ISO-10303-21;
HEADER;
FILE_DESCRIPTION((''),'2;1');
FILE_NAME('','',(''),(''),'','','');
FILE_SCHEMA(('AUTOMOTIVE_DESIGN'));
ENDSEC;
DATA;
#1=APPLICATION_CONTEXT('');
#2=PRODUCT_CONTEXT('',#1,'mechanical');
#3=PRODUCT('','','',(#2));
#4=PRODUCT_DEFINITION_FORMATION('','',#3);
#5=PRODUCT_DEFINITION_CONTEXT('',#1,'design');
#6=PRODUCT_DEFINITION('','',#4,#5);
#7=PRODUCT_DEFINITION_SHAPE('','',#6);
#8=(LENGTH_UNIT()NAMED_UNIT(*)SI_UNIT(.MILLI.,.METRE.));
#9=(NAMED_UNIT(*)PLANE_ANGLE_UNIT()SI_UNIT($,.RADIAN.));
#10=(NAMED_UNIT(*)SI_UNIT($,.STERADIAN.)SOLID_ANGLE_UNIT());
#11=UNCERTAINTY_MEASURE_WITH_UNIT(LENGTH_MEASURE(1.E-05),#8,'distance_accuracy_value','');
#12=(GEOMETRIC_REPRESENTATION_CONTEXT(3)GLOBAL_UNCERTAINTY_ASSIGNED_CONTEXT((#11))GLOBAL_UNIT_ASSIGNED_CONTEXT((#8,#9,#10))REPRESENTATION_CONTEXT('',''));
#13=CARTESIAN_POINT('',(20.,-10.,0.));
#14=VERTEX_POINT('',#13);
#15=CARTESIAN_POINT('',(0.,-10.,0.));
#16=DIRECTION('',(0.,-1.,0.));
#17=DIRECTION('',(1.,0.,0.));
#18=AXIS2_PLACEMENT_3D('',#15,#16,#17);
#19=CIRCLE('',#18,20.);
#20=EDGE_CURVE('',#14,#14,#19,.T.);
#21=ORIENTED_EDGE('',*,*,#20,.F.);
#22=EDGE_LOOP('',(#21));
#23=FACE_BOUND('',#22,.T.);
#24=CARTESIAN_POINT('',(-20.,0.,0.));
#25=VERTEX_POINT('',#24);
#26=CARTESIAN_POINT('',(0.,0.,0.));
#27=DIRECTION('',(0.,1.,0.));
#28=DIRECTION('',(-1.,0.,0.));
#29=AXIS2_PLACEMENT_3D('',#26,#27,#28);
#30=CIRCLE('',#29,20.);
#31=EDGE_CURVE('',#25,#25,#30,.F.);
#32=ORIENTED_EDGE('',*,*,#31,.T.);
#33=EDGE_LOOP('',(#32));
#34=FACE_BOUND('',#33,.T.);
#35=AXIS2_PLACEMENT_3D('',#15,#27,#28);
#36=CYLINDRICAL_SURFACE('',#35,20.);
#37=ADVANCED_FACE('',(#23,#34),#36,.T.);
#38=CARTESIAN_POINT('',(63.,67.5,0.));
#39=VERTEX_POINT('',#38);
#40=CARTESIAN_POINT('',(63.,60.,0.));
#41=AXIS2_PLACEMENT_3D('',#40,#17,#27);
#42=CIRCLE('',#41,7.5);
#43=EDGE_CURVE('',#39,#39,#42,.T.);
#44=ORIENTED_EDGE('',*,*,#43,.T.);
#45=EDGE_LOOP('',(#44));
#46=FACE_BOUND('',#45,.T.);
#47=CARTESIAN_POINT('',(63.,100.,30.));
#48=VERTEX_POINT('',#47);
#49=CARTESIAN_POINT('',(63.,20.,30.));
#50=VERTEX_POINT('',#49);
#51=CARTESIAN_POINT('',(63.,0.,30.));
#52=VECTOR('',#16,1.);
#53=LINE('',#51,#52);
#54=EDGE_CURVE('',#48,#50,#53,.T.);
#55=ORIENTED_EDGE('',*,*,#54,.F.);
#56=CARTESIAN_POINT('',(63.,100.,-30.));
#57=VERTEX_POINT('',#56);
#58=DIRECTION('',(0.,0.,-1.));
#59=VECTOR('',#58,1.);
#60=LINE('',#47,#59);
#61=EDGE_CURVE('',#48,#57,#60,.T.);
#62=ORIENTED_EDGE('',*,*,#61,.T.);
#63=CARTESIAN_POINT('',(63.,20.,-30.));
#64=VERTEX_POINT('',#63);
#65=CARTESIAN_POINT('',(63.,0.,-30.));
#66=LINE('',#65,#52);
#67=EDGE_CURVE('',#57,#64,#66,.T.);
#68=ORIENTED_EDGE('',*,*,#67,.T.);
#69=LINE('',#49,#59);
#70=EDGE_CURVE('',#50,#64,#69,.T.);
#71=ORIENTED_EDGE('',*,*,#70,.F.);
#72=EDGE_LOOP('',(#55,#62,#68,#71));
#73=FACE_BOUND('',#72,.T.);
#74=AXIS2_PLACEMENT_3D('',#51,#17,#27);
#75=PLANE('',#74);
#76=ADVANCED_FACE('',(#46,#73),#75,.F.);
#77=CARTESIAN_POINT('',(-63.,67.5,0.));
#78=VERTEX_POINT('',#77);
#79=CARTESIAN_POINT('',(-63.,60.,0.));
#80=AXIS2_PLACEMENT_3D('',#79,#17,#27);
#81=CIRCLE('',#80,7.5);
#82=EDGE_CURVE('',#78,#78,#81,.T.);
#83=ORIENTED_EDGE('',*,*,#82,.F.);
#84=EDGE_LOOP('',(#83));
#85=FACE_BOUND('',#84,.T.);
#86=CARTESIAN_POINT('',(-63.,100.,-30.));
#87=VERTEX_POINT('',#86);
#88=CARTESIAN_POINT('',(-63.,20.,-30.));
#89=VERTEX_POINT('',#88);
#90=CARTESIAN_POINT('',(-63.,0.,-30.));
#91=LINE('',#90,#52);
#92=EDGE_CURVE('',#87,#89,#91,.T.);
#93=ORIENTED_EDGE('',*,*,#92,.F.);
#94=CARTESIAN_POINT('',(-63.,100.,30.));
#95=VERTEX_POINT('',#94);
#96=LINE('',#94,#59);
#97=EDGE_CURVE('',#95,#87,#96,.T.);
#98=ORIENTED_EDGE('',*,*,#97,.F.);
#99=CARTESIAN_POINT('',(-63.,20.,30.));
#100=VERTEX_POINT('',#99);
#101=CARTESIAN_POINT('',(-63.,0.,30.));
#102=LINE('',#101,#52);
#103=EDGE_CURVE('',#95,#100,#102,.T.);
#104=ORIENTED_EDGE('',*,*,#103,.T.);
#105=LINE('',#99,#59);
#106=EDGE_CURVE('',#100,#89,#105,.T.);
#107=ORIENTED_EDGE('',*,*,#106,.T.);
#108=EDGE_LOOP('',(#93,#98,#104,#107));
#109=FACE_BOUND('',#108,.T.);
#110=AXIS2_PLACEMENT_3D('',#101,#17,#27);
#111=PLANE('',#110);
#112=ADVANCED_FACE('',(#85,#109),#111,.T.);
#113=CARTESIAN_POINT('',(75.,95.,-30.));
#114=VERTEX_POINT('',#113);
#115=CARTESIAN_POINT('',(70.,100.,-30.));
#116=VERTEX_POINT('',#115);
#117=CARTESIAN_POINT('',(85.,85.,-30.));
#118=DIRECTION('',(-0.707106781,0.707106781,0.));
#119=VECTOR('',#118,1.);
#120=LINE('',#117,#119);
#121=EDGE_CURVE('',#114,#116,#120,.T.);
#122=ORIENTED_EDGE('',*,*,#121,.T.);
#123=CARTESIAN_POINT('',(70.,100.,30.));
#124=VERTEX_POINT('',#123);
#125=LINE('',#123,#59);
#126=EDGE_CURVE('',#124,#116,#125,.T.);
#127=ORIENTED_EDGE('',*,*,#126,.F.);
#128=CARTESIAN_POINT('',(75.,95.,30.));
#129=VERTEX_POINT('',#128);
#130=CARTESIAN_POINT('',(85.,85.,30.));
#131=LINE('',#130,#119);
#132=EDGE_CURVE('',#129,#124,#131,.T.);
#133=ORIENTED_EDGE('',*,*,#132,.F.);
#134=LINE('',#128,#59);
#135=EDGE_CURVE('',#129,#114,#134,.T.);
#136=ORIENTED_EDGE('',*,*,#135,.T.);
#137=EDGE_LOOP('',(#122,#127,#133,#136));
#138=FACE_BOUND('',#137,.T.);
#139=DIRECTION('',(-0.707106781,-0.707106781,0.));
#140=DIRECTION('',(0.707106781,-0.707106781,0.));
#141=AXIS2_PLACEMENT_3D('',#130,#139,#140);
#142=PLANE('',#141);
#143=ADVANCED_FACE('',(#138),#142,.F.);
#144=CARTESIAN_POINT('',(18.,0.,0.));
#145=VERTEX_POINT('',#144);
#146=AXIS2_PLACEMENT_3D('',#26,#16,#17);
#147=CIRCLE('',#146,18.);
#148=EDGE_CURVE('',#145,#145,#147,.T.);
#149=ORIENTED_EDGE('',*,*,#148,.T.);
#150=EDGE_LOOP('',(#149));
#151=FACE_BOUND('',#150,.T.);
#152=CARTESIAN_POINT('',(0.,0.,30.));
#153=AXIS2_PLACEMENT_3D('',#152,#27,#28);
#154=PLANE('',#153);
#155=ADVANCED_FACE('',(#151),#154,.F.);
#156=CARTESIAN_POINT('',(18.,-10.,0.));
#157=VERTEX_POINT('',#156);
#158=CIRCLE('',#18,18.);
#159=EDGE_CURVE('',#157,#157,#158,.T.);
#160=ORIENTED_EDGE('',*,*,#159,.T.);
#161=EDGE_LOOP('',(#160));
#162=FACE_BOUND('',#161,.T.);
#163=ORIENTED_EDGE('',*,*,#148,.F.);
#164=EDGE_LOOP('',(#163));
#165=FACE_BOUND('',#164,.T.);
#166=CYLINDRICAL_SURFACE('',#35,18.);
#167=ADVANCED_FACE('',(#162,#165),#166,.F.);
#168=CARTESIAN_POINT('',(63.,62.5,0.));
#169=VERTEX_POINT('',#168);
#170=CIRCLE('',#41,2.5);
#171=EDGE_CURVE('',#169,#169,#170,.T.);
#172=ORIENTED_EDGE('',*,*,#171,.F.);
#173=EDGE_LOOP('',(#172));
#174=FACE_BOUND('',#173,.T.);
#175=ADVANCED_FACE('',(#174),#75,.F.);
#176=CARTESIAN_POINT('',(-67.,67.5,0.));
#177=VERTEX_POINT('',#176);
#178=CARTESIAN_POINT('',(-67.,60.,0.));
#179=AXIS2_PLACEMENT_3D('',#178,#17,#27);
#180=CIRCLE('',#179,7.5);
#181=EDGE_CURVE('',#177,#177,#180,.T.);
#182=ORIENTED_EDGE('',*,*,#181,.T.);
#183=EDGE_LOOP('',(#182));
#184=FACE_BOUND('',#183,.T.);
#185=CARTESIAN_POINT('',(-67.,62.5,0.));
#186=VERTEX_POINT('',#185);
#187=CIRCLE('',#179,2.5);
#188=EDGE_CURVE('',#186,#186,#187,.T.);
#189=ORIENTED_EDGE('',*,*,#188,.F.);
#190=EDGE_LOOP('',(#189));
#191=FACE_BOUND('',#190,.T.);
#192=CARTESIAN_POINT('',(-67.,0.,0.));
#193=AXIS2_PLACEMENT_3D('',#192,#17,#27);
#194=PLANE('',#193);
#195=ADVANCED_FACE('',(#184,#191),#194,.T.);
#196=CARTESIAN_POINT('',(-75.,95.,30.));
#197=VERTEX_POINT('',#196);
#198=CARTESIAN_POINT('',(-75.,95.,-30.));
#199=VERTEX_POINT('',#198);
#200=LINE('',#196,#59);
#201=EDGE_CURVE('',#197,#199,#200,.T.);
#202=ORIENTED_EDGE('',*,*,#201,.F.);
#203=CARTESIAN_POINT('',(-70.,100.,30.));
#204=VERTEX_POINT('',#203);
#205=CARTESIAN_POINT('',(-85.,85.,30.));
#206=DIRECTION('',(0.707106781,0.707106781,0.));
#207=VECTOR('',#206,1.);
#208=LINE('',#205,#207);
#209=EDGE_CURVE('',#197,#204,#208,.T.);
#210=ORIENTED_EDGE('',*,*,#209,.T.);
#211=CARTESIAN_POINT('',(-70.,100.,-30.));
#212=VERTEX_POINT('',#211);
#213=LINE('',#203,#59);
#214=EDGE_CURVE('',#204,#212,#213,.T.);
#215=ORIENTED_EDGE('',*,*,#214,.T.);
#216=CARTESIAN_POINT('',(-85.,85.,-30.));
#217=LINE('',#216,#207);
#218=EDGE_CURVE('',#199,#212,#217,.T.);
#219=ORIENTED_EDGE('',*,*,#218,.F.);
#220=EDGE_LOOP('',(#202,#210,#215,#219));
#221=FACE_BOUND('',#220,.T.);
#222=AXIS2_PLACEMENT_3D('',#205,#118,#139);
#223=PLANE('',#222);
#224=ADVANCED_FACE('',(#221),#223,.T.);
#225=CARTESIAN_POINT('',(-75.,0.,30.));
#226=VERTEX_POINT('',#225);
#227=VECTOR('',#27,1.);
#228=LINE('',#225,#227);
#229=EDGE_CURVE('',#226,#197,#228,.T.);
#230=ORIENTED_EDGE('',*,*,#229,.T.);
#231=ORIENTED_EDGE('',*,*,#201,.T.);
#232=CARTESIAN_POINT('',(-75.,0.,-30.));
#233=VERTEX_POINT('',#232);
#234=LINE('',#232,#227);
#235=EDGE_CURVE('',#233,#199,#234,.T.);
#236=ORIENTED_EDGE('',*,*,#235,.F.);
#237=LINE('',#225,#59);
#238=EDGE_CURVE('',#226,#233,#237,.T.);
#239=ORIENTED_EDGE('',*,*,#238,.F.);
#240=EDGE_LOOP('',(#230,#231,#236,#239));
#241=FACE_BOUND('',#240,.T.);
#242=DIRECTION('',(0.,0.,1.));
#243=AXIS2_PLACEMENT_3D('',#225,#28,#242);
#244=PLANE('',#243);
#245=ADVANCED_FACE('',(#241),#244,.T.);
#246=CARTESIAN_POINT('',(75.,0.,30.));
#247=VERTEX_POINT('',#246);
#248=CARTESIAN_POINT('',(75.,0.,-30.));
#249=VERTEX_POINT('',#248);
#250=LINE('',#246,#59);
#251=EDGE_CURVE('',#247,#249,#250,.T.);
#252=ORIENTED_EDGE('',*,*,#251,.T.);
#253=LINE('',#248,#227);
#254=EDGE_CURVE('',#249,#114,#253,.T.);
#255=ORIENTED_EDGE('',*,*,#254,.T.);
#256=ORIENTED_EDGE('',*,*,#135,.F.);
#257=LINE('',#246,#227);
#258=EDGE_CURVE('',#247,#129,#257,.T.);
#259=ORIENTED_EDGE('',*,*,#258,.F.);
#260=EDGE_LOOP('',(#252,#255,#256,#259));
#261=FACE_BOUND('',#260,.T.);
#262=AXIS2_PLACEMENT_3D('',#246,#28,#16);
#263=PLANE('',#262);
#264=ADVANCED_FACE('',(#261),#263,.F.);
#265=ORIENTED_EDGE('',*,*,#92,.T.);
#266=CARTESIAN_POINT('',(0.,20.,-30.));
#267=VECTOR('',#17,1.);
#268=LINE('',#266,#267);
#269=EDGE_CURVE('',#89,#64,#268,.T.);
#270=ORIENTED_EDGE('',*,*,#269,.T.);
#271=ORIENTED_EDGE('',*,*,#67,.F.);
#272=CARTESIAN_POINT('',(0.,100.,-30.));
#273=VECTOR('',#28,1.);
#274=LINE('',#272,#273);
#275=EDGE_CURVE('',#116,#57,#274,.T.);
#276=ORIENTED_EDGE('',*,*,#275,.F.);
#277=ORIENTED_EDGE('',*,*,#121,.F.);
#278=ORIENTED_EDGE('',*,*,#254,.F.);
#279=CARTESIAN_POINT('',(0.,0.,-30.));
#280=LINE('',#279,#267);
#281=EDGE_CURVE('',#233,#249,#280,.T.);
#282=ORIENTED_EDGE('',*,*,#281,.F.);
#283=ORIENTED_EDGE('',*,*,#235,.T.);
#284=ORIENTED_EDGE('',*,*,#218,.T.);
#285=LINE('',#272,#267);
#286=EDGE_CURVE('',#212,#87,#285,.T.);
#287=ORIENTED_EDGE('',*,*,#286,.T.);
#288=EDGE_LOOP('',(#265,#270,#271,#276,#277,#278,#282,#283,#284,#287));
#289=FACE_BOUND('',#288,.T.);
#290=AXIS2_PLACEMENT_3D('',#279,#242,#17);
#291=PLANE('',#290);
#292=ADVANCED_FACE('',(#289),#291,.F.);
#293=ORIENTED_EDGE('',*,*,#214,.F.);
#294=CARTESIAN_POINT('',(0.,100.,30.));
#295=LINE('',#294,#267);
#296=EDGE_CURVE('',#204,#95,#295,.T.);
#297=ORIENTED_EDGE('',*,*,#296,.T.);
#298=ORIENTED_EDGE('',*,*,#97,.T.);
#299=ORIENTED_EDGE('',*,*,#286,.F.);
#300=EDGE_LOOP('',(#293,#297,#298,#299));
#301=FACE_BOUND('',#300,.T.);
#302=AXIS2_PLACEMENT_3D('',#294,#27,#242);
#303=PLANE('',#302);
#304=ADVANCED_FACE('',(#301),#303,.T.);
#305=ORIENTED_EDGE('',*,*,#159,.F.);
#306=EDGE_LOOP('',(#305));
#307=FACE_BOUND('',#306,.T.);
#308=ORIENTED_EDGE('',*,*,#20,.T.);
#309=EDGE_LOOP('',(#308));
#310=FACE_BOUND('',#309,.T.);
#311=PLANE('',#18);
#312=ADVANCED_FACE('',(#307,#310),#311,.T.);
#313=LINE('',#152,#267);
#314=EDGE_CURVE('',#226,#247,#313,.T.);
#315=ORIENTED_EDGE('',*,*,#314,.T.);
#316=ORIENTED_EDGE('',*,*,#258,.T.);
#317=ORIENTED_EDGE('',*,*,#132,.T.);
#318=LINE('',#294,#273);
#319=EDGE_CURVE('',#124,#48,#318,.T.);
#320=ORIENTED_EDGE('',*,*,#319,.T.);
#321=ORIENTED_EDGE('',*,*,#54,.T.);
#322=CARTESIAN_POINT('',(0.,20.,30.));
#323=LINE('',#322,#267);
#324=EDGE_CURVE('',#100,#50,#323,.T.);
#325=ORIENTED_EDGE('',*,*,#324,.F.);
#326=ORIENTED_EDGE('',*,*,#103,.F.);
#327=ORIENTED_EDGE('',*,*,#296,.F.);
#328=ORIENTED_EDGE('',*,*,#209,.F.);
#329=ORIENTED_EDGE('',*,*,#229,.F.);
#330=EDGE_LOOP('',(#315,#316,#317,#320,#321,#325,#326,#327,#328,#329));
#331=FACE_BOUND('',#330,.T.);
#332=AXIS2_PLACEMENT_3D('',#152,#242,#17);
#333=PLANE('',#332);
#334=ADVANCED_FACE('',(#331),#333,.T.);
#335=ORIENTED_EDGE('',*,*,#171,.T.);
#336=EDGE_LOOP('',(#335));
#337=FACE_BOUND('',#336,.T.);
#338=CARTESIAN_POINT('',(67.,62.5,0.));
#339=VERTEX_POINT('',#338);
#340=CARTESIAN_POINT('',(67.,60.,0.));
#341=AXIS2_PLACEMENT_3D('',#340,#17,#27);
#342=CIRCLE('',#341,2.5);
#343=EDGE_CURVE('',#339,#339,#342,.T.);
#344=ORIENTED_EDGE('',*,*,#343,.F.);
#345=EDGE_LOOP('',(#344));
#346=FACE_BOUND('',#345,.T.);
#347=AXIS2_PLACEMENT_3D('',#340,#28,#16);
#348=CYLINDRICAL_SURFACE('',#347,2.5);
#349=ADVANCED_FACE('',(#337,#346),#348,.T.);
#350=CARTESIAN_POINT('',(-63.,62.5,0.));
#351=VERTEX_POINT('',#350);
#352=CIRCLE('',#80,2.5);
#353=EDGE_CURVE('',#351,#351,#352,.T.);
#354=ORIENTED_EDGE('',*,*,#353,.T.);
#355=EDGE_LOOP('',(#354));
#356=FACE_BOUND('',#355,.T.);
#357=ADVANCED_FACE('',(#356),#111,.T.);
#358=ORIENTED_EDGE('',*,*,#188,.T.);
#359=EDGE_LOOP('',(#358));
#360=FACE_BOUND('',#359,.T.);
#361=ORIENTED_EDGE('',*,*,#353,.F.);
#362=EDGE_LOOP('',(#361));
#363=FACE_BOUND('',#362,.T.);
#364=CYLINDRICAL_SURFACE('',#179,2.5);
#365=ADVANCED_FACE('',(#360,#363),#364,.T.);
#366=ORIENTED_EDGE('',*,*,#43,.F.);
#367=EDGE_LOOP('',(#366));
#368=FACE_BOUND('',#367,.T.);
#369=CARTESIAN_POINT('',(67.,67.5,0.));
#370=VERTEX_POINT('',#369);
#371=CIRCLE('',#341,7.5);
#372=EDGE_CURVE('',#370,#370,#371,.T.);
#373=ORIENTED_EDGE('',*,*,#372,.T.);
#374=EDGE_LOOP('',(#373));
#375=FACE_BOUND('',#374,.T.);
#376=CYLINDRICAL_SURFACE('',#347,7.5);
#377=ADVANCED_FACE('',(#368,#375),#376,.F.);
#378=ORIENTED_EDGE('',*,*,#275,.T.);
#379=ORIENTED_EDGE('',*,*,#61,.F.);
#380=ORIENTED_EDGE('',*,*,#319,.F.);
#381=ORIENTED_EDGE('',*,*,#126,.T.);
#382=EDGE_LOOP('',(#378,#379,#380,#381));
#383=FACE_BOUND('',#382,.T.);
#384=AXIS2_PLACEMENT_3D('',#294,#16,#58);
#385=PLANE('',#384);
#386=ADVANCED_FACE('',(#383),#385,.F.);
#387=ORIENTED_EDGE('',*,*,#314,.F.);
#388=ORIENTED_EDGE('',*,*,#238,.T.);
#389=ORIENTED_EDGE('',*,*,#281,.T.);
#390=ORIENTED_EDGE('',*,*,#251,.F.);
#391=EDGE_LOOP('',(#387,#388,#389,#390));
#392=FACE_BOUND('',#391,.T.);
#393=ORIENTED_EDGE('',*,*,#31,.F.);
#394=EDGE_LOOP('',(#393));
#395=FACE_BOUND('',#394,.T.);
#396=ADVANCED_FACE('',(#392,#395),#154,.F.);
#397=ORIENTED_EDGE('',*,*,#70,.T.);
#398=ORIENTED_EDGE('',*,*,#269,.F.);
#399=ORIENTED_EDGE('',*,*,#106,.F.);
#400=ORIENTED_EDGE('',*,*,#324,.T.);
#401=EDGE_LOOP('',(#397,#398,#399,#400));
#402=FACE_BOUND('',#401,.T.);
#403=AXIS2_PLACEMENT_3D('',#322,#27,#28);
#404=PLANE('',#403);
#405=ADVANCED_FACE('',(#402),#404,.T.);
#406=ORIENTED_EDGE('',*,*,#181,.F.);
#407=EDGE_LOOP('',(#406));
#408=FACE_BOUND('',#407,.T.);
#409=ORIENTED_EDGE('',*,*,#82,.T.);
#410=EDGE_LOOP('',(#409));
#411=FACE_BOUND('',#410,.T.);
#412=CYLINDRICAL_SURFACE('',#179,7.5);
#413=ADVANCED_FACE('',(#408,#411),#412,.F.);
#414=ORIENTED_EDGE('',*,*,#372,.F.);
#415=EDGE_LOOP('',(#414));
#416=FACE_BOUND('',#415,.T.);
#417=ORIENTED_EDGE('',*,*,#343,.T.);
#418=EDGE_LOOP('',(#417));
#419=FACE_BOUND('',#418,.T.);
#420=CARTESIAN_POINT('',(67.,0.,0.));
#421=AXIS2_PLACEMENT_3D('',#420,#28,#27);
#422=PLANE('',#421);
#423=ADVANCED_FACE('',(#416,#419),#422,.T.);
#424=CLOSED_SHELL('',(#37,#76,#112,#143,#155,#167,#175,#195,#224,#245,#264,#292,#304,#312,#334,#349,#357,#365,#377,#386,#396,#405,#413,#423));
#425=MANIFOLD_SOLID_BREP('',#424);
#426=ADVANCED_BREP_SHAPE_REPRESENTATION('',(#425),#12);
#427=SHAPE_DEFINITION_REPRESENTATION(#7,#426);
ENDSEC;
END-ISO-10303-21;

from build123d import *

# Parameters (mm, degrees)
EXTRUDE_1_DEPTH     = 30
SKETCH_2_R          = 20
SKETCH_2_R_2        = 18
EXTRUDE_2_DEPTH     = 10
SKETCH_3_R          = 7.5
SKETCH_3_R_2        = 2.5
CUT_EXTRUDE_1_DEPTH = 4


with BuildPart() as part:
    # 草图1 → 凸台-拉伸1 (new, symmetric)
    with BuildSketch(Plane.XY):
        Polygon((-63, 100), (-70, 100), (-75, 95), (-75, 0), (0, 0), (0, 20), (-63, 20), align=None)
        Polygon((63, 20), (0, 20), (0, 0), (75, 0), (75, 95), (70, 100), (63, 100), align=None)
    extrude(amount=EXTRUDE_1_DEPTH, both=True)

    # 草图2 → 凸台-拉伸2 (add)
    with BuildSketch(Plane.XZ):
        with Locations(Location((0, 0, 0), (0, 0, 180))):
            Circle(SKETCH_2_R)
        Circle(SKETCH_2_R_2, mode=Mode.SUBTRACT)
    extrude(amount=EXTRUDE_2_DEPTH)

    # 草图3 → 切除-拉伸1 (cut)
    with BuildSketch(Plane(origin=(-63, 0, 0), x_dir=(0, 0, -1), z_dir=(1, 0, 0))):
        with Locations(Location((0, 60, 0), (0, 0, 90))):
            Circle(SKETCH_3_R)
        with Locations(Location((0, 60, 0), (0, 0, 90))):
            Circle(SKETCH_3_R_2, mode=Mode.SUBTRACT)
    cut_extrude_1 = extrude(amount=-CUT_EXTRUDE_1_DEPTH, mode=Mode.SUBTRACT)

    # 镜向1: 切除-拉伸1 across plane
    add(cut_extrude_1.mirror(Plane(origin=(0, 0, 0), x_dir=(0, 0, 1), z_dir=(1, 0, 0))), mode=Mode.SUBTRACT)


solid = part.part
